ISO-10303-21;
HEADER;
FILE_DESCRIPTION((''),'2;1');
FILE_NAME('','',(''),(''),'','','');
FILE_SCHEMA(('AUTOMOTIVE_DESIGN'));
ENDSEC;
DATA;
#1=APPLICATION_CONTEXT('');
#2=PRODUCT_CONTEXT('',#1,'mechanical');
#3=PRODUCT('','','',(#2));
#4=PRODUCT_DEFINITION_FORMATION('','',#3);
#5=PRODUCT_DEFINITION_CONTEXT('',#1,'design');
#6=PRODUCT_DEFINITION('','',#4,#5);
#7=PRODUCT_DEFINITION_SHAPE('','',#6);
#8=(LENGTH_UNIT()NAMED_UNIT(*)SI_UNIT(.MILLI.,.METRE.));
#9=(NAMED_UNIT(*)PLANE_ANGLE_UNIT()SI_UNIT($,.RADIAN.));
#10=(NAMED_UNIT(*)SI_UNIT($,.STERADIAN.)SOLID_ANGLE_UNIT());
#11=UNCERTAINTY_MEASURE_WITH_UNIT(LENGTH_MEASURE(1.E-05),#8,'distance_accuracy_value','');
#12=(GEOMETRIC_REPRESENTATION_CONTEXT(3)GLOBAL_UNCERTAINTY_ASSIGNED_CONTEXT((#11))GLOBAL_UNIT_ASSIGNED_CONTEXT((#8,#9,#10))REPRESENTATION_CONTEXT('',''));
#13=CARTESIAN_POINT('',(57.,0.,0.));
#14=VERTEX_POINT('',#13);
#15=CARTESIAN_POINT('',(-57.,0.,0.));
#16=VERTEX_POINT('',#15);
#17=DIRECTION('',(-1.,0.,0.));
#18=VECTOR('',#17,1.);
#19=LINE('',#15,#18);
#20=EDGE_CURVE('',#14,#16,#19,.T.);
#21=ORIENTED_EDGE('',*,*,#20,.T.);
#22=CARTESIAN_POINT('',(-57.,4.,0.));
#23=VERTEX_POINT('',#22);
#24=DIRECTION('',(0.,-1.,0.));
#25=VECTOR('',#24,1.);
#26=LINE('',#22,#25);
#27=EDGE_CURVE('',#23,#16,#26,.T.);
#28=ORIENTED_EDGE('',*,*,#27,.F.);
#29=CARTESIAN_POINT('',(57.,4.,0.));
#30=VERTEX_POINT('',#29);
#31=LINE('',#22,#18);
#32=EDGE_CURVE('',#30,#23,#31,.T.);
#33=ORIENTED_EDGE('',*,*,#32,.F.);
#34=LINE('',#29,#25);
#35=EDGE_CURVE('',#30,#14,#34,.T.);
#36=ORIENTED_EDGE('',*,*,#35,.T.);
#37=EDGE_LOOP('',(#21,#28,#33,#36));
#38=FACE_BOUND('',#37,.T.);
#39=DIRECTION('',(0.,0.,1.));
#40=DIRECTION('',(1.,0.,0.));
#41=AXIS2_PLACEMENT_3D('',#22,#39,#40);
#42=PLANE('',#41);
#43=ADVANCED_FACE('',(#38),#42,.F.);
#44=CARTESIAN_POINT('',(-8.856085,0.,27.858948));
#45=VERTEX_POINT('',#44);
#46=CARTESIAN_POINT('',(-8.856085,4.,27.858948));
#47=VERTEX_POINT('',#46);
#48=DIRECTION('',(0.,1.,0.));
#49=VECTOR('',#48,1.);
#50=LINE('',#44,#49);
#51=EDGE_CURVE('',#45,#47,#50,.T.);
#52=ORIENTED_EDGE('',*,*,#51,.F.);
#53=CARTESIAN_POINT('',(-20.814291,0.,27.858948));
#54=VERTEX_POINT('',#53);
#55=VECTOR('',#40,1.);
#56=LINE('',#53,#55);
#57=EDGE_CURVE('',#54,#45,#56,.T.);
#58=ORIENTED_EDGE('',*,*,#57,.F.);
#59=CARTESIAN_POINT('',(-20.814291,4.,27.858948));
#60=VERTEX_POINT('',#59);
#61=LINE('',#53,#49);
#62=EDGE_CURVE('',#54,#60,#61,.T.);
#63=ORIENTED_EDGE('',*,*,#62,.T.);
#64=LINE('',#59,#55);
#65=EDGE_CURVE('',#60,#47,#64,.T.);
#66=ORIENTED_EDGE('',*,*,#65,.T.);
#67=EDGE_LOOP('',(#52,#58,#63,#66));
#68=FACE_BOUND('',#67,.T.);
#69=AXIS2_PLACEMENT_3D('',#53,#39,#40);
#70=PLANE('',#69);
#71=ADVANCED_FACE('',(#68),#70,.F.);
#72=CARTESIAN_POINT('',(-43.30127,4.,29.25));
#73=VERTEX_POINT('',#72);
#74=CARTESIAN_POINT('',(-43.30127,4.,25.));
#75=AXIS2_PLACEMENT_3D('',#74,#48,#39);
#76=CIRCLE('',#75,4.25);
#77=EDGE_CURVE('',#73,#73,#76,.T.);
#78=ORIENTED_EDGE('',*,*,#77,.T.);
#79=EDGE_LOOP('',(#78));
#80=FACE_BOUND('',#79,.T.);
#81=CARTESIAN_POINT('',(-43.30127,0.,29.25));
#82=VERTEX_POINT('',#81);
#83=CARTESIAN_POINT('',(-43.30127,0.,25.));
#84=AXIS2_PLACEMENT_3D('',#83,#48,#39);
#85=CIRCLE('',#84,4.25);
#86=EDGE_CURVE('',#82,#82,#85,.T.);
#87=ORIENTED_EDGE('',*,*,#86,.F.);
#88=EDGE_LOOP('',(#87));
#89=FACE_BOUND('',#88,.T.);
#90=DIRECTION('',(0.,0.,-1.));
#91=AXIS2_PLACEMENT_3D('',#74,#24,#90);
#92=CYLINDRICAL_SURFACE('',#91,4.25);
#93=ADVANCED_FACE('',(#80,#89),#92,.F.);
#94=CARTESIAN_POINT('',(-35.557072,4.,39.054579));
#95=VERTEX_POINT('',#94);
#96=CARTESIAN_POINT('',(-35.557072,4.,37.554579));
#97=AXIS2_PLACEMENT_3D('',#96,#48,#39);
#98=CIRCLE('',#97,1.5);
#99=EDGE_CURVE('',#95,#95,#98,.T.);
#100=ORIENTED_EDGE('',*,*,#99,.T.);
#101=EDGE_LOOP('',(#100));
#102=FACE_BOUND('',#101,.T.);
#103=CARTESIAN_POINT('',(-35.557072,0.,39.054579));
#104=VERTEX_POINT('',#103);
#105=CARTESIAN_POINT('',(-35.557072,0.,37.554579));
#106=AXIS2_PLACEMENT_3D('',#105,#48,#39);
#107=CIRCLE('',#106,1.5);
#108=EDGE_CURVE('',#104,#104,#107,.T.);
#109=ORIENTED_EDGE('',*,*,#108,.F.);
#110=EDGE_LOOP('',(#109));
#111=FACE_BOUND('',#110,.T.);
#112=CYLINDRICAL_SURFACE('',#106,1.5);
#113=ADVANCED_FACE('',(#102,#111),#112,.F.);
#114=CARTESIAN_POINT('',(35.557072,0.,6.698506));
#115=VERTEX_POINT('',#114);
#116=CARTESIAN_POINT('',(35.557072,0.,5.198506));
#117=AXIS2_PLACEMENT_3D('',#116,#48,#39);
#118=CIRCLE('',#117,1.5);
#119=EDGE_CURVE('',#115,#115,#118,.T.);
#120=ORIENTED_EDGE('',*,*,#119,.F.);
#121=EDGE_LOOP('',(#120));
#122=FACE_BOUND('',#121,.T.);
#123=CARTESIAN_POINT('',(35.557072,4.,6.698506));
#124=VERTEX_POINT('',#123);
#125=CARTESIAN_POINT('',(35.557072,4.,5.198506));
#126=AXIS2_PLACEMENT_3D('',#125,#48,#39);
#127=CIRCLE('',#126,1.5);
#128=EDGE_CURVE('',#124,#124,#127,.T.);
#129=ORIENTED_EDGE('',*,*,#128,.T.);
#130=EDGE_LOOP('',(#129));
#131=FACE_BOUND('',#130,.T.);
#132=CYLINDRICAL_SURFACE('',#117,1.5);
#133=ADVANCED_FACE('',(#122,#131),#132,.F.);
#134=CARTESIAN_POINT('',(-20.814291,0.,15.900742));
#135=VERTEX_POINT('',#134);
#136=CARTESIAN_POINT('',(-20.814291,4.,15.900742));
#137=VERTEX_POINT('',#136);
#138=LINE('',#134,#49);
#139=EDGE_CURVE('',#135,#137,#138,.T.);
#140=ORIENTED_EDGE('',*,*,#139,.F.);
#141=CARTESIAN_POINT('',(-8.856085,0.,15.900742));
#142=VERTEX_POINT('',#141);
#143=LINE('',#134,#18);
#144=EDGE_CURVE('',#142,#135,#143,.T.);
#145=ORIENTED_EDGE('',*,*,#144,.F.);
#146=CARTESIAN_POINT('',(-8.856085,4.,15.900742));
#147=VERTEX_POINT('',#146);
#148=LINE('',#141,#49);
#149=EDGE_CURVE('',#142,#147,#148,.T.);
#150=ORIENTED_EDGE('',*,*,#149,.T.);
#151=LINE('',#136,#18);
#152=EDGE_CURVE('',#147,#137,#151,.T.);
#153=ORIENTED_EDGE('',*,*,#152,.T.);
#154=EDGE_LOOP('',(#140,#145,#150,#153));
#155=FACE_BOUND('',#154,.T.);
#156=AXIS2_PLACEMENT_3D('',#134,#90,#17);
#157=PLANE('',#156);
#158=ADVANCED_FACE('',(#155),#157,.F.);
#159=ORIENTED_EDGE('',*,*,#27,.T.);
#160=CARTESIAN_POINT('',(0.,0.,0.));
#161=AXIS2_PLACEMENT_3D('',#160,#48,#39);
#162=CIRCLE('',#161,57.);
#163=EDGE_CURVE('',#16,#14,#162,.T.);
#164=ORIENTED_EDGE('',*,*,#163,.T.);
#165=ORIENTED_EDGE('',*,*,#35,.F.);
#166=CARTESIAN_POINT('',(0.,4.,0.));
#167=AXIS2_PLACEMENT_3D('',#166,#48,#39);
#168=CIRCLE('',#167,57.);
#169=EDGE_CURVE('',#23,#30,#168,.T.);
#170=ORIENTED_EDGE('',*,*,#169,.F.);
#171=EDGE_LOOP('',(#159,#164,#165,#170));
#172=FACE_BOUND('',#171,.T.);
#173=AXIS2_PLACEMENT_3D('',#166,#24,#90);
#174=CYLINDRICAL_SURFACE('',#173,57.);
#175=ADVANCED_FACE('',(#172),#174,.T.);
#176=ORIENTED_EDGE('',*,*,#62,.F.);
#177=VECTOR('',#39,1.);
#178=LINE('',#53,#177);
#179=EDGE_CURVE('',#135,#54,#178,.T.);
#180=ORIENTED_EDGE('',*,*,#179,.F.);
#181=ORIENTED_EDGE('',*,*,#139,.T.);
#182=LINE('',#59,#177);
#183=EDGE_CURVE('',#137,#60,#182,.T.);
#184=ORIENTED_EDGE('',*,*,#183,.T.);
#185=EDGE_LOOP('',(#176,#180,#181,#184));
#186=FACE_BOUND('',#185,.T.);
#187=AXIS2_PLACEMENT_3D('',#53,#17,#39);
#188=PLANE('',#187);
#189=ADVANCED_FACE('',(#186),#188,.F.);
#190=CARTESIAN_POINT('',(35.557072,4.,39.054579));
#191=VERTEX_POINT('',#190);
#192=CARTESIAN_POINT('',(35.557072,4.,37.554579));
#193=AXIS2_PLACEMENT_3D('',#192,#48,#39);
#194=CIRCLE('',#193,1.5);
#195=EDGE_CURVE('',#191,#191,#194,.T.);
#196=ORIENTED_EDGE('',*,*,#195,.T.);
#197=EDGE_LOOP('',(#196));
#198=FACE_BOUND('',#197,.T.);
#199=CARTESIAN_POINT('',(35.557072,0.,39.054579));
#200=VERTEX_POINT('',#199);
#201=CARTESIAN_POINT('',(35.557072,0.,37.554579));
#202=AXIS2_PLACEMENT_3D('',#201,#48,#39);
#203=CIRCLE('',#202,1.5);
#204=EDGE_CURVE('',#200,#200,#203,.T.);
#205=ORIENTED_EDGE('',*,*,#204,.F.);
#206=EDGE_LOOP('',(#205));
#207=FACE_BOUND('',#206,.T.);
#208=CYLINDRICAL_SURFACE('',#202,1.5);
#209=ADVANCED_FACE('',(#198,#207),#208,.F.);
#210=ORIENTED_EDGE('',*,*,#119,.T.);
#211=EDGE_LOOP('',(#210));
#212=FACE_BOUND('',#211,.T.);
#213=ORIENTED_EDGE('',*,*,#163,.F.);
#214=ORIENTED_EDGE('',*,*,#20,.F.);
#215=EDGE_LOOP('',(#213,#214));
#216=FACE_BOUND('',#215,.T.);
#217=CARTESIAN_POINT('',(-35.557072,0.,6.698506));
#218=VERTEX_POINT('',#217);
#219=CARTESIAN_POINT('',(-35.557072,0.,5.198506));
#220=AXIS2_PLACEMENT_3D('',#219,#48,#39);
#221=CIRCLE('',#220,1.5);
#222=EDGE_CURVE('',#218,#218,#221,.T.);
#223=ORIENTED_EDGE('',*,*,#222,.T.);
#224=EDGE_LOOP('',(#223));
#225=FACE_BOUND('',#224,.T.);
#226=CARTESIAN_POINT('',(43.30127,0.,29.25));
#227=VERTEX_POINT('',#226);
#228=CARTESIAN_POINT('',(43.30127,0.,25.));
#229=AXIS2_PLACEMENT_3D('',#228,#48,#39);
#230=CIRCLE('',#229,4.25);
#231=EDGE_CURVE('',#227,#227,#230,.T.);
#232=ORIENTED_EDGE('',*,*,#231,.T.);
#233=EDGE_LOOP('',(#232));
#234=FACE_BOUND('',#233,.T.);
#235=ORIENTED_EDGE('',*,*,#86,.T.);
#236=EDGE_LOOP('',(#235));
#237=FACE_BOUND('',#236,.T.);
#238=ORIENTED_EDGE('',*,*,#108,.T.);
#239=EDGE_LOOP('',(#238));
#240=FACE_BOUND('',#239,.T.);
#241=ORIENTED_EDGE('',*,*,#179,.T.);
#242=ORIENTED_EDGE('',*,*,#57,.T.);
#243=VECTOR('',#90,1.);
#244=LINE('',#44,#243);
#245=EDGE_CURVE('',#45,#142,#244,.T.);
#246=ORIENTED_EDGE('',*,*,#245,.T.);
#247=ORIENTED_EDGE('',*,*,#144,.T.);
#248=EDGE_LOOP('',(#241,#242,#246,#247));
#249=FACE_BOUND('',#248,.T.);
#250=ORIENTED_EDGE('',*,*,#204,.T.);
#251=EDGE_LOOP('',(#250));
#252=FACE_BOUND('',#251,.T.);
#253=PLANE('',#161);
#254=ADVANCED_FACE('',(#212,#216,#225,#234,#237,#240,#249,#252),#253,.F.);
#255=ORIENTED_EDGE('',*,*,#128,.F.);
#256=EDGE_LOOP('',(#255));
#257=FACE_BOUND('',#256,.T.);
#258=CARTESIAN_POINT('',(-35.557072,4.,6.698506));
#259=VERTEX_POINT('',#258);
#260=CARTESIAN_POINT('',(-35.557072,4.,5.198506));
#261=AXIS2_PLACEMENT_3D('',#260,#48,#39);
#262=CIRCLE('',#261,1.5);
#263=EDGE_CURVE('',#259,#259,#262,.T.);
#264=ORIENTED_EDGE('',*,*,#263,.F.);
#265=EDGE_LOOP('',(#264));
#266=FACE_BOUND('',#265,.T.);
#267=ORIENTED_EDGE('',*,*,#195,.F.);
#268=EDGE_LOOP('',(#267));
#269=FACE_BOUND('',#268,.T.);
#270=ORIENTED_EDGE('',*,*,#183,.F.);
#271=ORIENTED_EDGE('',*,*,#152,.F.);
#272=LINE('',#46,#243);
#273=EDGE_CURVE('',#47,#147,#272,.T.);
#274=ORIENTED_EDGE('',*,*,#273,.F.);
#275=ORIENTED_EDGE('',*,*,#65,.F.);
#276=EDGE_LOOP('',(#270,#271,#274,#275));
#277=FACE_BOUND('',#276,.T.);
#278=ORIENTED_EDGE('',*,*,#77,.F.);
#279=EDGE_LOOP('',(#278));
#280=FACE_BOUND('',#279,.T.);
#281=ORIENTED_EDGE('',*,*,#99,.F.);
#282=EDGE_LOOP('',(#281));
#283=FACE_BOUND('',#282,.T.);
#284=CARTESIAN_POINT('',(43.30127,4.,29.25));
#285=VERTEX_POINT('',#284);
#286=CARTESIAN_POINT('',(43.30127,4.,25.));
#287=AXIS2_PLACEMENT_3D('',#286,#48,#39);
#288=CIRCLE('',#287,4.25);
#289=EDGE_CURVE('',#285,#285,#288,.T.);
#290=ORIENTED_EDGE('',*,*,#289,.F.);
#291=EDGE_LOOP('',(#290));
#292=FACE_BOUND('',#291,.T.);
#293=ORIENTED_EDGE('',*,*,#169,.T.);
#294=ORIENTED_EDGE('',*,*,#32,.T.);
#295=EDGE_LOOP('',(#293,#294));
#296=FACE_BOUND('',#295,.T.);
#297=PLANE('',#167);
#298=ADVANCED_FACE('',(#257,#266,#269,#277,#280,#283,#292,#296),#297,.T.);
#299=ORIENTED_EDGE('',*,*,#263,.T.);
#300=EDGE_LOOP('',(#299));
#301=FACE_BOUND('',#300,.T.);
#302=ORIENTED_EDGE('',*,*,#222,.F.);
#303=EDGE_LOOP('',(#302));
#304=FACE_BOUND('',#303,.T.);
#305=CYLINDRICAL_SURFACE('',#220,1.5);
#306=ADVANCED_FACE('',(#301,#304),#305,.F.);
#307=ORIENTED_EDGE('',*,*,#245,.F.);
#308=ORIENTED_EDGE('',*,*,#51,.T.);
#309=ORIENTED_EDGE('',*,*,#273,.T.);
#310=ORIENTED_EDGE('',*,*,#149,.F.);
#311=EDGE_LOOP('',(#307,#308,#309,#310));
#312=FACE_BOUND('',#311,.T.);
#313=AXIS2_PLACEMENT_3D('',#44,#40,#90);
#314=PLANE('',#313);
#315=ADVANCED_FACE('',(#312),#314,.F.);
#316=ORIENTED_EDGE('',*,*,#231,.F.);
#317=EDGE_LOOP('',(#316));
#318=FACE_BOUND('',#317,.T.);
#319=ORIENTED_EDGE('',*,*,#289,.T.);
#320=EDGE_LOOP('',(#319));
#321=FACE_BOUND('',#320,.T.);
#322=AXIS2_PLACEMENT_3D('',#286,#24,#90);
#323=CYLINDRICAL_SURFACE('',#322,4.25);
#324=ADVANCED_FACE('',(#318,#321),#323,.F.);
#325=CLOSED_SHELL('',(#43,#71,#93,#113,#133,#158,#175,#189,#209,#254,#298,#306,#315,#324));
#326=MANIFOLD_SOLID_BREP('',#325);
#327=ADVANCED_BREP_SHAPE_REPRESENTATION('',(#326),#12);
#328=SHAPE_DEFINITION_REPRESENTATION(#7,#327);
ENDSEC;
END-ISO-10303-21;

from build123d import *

# Parameters (mm, degrees)
ESQUISSE1_R             = 4.25
ESQUISSE1_W             = 62.5
ESQUISSE1_H             = 25
BOSS_EXTRU_1_DEPTH      = 4
ESQUISSE2_R             = 1.5
ENL_V_MAT_EXTRU_1_DEPTH = 81.709355096
ESQUISSE3_W             = 66.086844216
ESQUISSE3_H             = 27.920410929
BOSS_EXTRU_2_DEPTH      = 4
ESQUISSE5_W             = 11.958205263
ESQUISSE5_H             = 11.958205263
ENL_V_MAT_EXTRU_2_DEPTH = 81.709355096


with BuildPart() as part:
    # Esquisse1 → Boss.-Extru.1 (new body)
    with BuildSketch(Plane(origin=(0, 0, 0), x_dir=(1, 0, 0), z_dir=(0, 1, 0))):
        with BuildLine():
            Line((-57, 0), (57, 0))
            ThreePointArc((57, 0), (0, -57), (-57, 0))
        make_face()
        with Locations(Location((-43.301270189, -25, 0), (0, 0, 270))):
            Circle(ESQUISSE1_R, mode=Mode.SUBTRACT)
        with Locations(Location((43.301270189, -25, 0), (0, 0, 270))):
            Circle(ESQUISSE1_R, mode=Mode.SUBTRACT)
        with Locations((0, -22.5)):
            Rectangle(ESQUISSE1_W, ESQUISSE1_H, mode=Mode.SUBTRACT)
    extrude(amount=BOSS_EXTRU_1_DEPTH)

    # Esquisse2 → Enlèv. mat.-Extru.1 (cut, through all)
    with BuildSketch(Plane(origin=(0, 4, 0), x_dir=(1, 0, 0), z_dir=(0, 1, 0))):
        with Locations(Location((-35.557071612, -37.554578926, 0), (0, 0, 270))):
            Circle(ESQUISSE2_R)
        with Locations(Location((-35.557071612, -5.198506408, 0), (0, 0, 270))):
            Circle(ESQUISSE2_R)
        with Locations(Location((35.557071612, -5.198506408, 0), (0, 0, 270))):
            Circle(ESQUISSE2_R)
        with Locations(Location((35.557071612, -37.554578926, 0), (0, 0, 270))):
            Circle(ESQUISSE2_R)
    extrude(amount=-ENL_V_MAT_EXTRU_1_DEPTH, mode=Mode.SUBTRACT)

    # Esquisse3 → Boss.-Extru.2 (add)
    with BuildSketch(Plane(origin=(0, 4, 0), x_dir=(1, 0, 0), z_dir=(0, 1, 0))):
        with Locations((0, -22.864687702)):
            Rectangle(ESQUISSE3_W, ESQUISSE3_H)
    extrude(amount=-BOSS_EXTRU_2_DEPTH)

    # Esquisse5 → Enlèv. mat.-Extru.2 (cut, through all)
    with BuildSketch(Plane(origin=(0, 4, 0), x_dir=(1, 0, 0), z_dir=(0, 1, 0))):
        with Locations((-14.835187955, -21.879845073)):
            Rectangle(ESQUISSE5_W, ESQUISSE5_H)
    extrude(amount=-ENL_V_MAT_EXTRU_2_DEPTH, mode=Mode.SUBTRACT)


solid = part.part
